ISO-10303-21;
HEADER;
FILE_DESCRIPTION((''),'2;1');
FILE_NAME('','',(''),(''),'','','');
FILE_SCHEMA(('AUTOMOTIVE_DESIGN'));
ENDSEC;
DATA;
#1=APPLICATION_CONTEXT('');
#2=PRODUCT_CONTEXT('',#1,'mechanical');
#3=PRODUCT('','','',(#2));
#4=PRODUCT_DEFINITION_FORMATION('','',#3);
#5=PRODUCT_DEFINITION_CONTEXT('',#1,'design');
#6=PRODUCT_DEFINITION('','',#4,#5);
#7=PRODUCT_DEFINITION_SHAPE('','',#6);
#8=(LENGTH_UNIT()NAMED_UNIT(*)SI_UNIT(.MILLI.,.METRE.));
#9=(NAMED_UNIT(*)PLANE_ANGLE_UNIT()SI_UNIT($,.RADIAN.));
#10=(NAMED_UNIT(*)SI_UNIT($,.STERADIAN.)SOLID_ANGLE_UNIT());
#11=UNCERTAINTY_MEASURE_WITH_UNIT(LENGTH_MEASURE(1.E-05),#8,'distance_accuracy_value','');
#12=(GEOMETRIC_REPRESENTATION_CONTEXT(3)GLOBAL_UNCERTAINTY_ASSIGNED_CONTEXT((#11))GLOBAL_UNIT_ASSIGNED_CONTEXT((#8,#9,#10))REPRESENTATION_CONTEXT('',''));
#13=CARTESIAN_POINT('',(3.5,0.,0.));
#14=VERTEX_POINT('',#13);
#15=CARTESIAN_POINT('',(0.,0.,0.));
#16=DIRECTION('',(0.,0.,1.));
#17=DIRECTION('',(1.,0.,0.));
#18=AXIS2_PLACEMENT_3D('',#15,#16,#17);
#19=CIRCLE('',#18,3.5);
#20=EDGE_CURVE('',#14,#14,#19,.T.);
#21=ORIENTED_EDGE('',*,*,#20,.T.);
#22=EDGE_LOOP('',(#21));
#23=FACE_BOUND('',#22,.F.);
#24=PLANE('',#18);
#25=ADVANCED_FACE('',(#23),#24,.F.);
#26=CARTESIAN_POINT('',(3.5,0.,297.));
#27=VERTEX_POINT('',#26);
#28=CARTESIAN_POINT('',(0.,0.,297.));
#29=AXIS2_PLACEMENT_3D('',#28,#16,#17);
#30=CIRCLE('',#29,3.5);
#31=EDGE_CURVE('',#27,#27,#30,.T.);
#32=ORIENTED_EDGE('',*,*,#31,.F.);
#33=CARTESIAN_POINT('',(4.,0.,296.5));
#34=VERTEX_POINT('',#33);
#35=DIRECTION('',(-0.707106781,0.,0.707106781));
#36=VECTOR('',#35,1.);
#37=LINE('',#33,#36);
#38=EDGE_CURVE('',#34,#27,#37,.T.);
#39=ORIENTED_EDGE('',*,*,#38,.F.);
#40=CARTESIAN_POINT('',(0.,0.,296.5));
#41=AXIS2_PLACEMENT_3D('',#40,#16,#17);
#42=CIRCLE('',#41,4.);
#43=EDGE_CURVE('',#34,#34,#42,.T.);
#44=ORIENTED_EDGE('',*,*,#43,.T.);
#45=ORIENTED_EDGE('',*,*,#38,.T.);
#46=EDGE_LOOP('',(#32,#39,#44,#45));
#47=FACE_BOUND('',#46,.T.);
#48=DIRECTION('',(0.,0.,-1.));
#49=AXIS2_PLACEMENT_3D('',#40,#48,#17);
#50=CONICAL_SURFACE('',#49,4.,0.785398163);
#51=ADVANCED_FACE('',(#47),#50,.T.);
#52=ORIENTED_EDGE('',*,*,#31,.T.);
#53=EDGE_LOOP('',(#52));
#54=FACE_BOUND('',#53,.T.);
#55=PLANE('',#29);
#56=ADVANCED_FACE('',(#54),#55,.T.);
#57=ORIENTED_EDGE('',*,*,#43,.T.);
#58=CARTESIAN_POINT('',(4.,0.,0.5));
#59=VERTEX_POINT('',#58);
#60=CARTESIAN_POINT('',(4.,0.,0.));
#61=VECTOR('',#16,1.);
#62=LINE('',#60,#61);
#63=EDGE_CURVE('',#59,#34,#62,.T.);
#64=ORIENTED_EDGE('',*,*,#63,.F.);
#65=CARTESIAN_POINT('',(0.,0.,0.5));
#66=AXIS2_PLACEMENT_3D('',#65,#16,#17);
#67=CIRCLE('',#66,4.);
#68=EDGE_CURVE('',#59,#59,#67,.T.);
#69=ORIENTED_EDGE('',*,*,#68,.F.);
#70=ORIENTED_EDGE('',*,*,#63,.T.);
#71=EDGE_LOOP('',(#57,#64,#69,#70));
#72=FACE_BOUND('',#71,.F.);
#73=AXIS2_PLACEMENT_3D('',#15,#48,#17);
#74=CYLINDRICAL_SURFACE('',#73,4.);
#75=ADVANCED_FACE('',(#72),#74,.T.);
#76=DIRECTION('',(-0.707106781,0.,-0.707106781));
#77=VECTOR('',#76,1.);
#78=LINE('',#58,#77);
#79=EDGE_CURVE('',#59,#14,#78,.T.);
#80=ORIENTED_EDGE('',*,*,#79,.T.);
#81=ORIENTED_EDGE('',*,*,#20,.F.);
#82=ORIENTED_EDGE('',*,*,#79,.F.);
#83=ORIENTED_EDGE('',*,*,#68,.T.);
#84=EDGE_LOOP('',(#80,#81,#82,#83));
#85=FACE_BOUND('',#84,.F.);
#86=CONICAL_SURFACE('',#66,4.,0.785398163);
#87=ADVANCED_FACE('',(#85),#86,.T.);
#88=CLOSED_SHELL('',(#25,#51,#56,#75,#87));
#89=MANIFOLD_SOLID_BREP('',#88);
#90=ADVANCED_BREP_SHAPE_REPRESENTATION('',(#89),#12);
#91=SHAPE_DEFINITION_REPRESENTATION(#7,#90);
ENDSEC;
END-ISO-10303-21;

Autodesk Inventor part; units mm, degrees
ref_plane "YZ Plane" through (0, 0, 0) normal (1, 0, 0) x (0, 1, 0)
ref_plane "XZ Plane" through (0, 0, 0) normal (0, 1, 0) x (-1, 0, 0)
ref_plane "XY Plane" through (0, 0, 0) normal (0, 0, 1) x (1, 0, 0)
sketch "Sketch1" plane through (0, 0, 0) normal (0, 0, 1) x (1, 0, 0)
  circle A0 centre (0, 0) radius 4
  dimension "d0" = 8
extrude "Extrusion1" add sketch "Sketch1" along normal blind 297
chamfer "Chamfer1" distance 0.5 angle 45 2 edges at (-4, 0, 0) (-4, 0, 297)
properties part number "SteelShaft_1000mm"
